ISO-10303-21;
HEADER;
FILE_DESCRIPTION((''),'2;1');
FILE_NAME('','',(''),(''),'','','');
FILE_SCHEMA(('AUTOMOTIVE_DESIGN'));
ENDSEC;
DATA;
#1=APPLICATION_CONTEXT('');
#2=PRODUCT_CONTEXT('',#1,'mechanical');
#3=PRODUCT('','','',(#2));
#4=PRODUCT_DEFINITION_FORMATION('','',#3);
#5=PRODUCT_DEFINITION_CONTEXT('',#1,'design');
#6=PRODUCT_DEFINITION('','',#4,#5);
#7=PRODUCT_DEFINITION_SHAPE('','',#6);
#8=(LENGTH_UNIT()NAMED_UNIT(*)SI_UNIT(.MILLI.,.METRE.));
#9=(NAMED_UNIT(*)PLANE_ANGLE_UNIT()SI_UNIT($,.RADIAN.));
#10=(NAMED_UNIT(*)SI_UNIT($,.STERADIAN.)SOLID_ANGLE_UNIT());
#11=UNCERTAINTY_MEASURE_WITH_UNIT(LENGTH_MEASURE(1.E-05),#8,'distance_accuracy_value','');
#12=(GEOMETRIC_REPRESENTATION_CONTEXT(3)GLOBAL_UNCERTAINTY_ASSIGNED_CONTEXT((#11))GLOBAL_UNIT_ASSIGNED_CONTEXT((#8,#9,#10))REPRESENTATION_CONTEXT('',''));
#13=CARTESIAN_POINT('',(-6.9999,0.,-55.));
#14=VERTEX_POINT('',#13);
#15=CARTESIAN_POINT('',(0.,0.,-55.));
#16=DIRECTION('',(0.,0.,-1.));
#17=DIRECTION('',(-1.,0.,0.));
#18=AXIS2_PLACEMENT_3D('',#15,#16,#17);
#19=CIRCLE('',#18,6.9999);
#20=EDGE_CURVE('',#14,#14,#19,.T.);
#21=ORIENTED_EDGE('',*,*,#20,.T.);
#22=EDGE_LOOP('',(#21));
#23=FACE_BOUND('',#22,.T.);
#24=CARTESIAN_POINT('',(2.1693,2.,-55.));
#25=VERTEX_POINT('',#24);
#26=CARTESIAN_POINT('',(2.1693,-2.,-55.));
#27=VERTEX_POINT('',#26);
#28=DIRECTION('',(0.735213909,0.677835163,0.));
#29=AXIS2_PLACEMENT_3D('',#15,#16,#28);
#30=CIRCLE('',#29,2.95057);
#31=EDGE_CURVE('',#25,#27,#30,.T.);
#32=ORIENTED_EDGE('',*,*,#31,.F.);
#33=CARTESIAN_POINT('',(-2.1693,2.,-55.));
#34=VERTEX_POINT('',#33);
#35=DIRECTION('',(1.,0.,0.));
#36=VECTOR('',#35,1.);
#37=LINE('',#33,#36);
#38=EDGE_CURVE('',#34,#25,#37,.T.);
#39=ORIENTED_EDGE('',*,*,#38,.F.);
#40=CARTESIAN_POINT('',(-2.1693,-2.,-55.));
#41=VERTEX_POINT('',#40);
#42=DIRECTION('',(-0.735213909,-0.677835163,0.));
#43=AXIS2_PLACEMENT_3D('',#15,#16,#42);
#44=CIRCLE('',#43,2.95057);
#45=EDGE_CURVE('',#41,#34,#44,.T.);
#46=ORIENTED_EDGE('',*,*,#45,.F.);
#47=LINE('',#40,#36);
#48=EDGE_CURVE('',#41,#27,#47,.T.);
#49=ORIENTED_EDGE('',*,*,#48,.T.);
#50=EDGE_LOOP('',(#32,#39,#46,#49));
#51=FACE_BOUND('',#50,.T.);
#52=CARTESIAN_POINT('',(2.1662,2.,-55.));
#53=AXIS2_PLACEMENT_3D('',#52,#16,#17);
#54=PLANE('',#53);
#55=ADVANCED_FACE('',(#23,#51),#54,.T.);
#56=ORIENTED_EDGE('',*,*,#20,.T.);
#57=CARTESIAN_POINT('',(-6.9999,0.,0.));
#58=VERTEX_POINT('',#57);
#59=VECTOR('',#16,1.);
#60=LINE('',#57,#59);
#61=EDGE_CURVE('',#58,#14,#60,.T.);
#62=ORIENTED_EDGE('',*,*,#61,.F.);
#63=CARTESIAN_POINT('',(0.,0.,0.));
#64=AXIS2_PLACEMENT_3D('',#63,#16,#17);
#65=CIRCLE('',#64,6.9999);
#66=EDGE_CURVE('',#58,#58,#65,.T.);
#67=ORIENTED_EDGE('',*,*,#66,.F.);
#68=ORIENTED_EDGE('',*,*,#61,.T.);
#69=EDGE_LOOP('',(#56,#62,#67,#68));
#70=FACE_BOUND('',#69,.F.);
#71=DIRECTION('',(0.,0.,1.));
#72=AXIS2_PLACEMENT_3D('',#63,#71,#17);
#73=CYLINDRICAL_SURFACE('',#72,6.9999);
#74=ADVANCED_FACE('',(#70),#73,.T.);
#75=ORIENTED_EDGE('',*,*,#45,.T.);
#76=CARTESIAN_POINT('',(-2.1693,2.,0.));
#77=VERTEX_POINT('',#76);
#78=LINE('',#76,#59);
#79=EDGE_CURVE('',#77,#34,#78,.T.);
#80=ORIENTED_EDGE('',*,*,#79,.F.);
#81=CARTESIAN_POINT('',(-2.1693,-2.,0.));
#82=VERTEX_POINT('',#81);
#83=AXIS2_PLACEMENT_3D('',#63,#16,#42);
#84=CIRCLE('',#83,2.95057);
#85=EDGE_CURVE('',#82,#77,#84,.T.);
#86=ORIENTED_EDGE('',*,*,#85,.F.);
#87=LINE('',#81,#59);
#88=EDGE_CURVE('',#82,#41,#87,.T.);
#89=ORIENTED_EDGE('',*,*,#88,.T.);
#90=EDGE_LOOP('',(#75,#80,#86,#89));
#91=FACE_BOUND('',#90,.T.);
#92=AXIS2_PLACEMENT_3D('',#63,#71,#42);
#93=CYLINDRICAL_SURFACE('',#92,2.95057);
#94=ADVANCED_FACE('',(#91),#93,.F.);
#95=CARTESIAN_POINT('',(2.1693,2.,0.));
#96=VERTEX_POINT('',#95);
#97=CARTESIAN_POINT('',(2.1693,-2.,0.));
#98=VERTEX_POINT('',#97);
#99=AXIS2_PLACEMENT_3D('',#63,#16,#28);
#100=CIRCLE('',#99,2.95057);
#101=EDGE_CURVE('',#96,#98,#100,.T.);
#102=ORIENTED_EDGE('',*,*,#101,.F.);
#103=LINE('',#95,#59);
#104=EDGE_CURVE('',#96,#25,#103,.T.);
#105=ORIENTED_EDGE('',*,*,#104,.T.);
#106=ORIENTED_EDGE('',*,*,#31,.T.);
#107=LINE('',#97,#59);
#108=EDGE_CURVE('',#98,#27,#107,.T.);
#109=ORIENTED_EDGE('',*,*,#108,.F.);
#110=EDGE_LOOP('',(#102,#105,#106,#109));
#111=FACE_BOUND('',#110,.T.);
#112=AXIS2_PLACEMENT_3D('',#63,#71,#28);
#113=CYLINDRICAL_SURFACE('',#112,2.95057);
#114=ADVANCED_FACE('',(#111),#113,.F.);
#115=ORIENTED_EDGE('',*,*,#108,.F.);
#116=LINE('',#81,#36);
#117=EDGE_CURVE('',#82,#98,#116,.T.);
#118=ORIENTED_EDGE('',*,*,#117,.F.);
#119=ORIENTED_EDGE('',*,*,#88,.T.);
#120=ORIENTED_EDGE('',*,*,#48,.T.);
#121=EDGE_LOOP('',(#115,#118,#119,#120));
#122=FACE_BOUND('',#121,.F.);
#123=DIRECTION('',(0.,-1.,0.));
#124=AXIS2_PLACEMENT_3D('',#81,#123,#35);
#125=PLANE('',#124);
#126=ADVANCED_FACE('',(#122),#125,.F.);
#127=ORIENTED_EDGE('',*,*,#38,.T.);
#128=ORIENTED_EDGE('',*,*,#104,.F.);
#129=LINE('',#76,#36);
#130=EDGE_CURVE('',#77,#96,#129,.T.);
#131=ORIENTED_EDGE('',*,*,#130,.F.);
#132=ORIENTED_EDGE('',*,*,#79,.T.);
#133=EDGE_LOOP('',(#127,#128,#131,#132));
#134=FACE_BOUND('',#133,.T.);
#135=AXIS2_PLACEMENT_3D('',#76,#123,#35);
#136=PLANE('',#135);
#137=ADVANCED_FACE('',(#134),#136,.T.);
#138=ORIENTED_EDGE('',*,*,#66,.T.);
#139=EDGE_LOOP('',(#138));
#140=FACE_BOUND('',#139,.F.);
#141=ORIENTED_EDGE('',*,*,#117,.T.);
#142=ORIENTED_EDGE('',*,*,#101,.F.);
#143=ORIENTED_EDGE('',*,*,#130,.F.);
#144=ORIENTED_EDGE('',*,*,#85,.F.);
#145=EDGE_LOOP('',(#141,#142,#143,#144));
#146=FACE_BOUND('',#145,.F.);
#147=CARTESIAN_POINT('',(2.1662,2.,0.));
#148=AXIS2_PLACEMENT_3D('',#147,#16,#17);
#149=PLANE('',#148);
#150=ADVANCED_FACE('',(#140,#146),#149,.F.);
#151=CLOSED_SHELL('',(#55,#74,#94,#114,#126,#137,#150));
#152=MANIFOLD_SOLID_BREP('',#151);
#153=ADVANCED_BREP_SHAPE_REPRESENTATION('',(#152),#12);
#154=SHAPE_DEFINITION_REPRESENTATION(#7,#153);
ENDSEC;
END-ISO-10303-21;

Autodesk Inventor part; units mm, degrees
ref_plane "YZ Plane" through (0, 0, 0) normal (1, 0, 0) x (0, 1, 0)
ref_plane "XZ Plane" through (0, 0, 0) normal (0, 1, 0) x (-1, 0, 0)
ref_plane "XY Plane" through (0, 0, 0) normal (0, 0, 1) x (1, 0, 0)
sketch "Boceto1" plane through (2.1662, 2, 0) normal (0, 0, -1) x (-1, 0, 0)
  line L0 (4.3355, -4) -> (-0.0031, -4)
  line L1 (4.3355, 0) -> (-0.0031, 0)
  arc A0 (4.3355, -4) -> (4.3355, 0) centre (2.1662, -2) ccw
  arc A1 (-0.0031, 0) -> (-0.0031, -4) centre (2.1662, -2) ccw
  circle A2 centre (2.1662, -2) radius 6.9999
extrude "Extrusión1" add sketch "Boceto1" along normal blind 55
properties part number "Rodamiento_Motor_X2"
